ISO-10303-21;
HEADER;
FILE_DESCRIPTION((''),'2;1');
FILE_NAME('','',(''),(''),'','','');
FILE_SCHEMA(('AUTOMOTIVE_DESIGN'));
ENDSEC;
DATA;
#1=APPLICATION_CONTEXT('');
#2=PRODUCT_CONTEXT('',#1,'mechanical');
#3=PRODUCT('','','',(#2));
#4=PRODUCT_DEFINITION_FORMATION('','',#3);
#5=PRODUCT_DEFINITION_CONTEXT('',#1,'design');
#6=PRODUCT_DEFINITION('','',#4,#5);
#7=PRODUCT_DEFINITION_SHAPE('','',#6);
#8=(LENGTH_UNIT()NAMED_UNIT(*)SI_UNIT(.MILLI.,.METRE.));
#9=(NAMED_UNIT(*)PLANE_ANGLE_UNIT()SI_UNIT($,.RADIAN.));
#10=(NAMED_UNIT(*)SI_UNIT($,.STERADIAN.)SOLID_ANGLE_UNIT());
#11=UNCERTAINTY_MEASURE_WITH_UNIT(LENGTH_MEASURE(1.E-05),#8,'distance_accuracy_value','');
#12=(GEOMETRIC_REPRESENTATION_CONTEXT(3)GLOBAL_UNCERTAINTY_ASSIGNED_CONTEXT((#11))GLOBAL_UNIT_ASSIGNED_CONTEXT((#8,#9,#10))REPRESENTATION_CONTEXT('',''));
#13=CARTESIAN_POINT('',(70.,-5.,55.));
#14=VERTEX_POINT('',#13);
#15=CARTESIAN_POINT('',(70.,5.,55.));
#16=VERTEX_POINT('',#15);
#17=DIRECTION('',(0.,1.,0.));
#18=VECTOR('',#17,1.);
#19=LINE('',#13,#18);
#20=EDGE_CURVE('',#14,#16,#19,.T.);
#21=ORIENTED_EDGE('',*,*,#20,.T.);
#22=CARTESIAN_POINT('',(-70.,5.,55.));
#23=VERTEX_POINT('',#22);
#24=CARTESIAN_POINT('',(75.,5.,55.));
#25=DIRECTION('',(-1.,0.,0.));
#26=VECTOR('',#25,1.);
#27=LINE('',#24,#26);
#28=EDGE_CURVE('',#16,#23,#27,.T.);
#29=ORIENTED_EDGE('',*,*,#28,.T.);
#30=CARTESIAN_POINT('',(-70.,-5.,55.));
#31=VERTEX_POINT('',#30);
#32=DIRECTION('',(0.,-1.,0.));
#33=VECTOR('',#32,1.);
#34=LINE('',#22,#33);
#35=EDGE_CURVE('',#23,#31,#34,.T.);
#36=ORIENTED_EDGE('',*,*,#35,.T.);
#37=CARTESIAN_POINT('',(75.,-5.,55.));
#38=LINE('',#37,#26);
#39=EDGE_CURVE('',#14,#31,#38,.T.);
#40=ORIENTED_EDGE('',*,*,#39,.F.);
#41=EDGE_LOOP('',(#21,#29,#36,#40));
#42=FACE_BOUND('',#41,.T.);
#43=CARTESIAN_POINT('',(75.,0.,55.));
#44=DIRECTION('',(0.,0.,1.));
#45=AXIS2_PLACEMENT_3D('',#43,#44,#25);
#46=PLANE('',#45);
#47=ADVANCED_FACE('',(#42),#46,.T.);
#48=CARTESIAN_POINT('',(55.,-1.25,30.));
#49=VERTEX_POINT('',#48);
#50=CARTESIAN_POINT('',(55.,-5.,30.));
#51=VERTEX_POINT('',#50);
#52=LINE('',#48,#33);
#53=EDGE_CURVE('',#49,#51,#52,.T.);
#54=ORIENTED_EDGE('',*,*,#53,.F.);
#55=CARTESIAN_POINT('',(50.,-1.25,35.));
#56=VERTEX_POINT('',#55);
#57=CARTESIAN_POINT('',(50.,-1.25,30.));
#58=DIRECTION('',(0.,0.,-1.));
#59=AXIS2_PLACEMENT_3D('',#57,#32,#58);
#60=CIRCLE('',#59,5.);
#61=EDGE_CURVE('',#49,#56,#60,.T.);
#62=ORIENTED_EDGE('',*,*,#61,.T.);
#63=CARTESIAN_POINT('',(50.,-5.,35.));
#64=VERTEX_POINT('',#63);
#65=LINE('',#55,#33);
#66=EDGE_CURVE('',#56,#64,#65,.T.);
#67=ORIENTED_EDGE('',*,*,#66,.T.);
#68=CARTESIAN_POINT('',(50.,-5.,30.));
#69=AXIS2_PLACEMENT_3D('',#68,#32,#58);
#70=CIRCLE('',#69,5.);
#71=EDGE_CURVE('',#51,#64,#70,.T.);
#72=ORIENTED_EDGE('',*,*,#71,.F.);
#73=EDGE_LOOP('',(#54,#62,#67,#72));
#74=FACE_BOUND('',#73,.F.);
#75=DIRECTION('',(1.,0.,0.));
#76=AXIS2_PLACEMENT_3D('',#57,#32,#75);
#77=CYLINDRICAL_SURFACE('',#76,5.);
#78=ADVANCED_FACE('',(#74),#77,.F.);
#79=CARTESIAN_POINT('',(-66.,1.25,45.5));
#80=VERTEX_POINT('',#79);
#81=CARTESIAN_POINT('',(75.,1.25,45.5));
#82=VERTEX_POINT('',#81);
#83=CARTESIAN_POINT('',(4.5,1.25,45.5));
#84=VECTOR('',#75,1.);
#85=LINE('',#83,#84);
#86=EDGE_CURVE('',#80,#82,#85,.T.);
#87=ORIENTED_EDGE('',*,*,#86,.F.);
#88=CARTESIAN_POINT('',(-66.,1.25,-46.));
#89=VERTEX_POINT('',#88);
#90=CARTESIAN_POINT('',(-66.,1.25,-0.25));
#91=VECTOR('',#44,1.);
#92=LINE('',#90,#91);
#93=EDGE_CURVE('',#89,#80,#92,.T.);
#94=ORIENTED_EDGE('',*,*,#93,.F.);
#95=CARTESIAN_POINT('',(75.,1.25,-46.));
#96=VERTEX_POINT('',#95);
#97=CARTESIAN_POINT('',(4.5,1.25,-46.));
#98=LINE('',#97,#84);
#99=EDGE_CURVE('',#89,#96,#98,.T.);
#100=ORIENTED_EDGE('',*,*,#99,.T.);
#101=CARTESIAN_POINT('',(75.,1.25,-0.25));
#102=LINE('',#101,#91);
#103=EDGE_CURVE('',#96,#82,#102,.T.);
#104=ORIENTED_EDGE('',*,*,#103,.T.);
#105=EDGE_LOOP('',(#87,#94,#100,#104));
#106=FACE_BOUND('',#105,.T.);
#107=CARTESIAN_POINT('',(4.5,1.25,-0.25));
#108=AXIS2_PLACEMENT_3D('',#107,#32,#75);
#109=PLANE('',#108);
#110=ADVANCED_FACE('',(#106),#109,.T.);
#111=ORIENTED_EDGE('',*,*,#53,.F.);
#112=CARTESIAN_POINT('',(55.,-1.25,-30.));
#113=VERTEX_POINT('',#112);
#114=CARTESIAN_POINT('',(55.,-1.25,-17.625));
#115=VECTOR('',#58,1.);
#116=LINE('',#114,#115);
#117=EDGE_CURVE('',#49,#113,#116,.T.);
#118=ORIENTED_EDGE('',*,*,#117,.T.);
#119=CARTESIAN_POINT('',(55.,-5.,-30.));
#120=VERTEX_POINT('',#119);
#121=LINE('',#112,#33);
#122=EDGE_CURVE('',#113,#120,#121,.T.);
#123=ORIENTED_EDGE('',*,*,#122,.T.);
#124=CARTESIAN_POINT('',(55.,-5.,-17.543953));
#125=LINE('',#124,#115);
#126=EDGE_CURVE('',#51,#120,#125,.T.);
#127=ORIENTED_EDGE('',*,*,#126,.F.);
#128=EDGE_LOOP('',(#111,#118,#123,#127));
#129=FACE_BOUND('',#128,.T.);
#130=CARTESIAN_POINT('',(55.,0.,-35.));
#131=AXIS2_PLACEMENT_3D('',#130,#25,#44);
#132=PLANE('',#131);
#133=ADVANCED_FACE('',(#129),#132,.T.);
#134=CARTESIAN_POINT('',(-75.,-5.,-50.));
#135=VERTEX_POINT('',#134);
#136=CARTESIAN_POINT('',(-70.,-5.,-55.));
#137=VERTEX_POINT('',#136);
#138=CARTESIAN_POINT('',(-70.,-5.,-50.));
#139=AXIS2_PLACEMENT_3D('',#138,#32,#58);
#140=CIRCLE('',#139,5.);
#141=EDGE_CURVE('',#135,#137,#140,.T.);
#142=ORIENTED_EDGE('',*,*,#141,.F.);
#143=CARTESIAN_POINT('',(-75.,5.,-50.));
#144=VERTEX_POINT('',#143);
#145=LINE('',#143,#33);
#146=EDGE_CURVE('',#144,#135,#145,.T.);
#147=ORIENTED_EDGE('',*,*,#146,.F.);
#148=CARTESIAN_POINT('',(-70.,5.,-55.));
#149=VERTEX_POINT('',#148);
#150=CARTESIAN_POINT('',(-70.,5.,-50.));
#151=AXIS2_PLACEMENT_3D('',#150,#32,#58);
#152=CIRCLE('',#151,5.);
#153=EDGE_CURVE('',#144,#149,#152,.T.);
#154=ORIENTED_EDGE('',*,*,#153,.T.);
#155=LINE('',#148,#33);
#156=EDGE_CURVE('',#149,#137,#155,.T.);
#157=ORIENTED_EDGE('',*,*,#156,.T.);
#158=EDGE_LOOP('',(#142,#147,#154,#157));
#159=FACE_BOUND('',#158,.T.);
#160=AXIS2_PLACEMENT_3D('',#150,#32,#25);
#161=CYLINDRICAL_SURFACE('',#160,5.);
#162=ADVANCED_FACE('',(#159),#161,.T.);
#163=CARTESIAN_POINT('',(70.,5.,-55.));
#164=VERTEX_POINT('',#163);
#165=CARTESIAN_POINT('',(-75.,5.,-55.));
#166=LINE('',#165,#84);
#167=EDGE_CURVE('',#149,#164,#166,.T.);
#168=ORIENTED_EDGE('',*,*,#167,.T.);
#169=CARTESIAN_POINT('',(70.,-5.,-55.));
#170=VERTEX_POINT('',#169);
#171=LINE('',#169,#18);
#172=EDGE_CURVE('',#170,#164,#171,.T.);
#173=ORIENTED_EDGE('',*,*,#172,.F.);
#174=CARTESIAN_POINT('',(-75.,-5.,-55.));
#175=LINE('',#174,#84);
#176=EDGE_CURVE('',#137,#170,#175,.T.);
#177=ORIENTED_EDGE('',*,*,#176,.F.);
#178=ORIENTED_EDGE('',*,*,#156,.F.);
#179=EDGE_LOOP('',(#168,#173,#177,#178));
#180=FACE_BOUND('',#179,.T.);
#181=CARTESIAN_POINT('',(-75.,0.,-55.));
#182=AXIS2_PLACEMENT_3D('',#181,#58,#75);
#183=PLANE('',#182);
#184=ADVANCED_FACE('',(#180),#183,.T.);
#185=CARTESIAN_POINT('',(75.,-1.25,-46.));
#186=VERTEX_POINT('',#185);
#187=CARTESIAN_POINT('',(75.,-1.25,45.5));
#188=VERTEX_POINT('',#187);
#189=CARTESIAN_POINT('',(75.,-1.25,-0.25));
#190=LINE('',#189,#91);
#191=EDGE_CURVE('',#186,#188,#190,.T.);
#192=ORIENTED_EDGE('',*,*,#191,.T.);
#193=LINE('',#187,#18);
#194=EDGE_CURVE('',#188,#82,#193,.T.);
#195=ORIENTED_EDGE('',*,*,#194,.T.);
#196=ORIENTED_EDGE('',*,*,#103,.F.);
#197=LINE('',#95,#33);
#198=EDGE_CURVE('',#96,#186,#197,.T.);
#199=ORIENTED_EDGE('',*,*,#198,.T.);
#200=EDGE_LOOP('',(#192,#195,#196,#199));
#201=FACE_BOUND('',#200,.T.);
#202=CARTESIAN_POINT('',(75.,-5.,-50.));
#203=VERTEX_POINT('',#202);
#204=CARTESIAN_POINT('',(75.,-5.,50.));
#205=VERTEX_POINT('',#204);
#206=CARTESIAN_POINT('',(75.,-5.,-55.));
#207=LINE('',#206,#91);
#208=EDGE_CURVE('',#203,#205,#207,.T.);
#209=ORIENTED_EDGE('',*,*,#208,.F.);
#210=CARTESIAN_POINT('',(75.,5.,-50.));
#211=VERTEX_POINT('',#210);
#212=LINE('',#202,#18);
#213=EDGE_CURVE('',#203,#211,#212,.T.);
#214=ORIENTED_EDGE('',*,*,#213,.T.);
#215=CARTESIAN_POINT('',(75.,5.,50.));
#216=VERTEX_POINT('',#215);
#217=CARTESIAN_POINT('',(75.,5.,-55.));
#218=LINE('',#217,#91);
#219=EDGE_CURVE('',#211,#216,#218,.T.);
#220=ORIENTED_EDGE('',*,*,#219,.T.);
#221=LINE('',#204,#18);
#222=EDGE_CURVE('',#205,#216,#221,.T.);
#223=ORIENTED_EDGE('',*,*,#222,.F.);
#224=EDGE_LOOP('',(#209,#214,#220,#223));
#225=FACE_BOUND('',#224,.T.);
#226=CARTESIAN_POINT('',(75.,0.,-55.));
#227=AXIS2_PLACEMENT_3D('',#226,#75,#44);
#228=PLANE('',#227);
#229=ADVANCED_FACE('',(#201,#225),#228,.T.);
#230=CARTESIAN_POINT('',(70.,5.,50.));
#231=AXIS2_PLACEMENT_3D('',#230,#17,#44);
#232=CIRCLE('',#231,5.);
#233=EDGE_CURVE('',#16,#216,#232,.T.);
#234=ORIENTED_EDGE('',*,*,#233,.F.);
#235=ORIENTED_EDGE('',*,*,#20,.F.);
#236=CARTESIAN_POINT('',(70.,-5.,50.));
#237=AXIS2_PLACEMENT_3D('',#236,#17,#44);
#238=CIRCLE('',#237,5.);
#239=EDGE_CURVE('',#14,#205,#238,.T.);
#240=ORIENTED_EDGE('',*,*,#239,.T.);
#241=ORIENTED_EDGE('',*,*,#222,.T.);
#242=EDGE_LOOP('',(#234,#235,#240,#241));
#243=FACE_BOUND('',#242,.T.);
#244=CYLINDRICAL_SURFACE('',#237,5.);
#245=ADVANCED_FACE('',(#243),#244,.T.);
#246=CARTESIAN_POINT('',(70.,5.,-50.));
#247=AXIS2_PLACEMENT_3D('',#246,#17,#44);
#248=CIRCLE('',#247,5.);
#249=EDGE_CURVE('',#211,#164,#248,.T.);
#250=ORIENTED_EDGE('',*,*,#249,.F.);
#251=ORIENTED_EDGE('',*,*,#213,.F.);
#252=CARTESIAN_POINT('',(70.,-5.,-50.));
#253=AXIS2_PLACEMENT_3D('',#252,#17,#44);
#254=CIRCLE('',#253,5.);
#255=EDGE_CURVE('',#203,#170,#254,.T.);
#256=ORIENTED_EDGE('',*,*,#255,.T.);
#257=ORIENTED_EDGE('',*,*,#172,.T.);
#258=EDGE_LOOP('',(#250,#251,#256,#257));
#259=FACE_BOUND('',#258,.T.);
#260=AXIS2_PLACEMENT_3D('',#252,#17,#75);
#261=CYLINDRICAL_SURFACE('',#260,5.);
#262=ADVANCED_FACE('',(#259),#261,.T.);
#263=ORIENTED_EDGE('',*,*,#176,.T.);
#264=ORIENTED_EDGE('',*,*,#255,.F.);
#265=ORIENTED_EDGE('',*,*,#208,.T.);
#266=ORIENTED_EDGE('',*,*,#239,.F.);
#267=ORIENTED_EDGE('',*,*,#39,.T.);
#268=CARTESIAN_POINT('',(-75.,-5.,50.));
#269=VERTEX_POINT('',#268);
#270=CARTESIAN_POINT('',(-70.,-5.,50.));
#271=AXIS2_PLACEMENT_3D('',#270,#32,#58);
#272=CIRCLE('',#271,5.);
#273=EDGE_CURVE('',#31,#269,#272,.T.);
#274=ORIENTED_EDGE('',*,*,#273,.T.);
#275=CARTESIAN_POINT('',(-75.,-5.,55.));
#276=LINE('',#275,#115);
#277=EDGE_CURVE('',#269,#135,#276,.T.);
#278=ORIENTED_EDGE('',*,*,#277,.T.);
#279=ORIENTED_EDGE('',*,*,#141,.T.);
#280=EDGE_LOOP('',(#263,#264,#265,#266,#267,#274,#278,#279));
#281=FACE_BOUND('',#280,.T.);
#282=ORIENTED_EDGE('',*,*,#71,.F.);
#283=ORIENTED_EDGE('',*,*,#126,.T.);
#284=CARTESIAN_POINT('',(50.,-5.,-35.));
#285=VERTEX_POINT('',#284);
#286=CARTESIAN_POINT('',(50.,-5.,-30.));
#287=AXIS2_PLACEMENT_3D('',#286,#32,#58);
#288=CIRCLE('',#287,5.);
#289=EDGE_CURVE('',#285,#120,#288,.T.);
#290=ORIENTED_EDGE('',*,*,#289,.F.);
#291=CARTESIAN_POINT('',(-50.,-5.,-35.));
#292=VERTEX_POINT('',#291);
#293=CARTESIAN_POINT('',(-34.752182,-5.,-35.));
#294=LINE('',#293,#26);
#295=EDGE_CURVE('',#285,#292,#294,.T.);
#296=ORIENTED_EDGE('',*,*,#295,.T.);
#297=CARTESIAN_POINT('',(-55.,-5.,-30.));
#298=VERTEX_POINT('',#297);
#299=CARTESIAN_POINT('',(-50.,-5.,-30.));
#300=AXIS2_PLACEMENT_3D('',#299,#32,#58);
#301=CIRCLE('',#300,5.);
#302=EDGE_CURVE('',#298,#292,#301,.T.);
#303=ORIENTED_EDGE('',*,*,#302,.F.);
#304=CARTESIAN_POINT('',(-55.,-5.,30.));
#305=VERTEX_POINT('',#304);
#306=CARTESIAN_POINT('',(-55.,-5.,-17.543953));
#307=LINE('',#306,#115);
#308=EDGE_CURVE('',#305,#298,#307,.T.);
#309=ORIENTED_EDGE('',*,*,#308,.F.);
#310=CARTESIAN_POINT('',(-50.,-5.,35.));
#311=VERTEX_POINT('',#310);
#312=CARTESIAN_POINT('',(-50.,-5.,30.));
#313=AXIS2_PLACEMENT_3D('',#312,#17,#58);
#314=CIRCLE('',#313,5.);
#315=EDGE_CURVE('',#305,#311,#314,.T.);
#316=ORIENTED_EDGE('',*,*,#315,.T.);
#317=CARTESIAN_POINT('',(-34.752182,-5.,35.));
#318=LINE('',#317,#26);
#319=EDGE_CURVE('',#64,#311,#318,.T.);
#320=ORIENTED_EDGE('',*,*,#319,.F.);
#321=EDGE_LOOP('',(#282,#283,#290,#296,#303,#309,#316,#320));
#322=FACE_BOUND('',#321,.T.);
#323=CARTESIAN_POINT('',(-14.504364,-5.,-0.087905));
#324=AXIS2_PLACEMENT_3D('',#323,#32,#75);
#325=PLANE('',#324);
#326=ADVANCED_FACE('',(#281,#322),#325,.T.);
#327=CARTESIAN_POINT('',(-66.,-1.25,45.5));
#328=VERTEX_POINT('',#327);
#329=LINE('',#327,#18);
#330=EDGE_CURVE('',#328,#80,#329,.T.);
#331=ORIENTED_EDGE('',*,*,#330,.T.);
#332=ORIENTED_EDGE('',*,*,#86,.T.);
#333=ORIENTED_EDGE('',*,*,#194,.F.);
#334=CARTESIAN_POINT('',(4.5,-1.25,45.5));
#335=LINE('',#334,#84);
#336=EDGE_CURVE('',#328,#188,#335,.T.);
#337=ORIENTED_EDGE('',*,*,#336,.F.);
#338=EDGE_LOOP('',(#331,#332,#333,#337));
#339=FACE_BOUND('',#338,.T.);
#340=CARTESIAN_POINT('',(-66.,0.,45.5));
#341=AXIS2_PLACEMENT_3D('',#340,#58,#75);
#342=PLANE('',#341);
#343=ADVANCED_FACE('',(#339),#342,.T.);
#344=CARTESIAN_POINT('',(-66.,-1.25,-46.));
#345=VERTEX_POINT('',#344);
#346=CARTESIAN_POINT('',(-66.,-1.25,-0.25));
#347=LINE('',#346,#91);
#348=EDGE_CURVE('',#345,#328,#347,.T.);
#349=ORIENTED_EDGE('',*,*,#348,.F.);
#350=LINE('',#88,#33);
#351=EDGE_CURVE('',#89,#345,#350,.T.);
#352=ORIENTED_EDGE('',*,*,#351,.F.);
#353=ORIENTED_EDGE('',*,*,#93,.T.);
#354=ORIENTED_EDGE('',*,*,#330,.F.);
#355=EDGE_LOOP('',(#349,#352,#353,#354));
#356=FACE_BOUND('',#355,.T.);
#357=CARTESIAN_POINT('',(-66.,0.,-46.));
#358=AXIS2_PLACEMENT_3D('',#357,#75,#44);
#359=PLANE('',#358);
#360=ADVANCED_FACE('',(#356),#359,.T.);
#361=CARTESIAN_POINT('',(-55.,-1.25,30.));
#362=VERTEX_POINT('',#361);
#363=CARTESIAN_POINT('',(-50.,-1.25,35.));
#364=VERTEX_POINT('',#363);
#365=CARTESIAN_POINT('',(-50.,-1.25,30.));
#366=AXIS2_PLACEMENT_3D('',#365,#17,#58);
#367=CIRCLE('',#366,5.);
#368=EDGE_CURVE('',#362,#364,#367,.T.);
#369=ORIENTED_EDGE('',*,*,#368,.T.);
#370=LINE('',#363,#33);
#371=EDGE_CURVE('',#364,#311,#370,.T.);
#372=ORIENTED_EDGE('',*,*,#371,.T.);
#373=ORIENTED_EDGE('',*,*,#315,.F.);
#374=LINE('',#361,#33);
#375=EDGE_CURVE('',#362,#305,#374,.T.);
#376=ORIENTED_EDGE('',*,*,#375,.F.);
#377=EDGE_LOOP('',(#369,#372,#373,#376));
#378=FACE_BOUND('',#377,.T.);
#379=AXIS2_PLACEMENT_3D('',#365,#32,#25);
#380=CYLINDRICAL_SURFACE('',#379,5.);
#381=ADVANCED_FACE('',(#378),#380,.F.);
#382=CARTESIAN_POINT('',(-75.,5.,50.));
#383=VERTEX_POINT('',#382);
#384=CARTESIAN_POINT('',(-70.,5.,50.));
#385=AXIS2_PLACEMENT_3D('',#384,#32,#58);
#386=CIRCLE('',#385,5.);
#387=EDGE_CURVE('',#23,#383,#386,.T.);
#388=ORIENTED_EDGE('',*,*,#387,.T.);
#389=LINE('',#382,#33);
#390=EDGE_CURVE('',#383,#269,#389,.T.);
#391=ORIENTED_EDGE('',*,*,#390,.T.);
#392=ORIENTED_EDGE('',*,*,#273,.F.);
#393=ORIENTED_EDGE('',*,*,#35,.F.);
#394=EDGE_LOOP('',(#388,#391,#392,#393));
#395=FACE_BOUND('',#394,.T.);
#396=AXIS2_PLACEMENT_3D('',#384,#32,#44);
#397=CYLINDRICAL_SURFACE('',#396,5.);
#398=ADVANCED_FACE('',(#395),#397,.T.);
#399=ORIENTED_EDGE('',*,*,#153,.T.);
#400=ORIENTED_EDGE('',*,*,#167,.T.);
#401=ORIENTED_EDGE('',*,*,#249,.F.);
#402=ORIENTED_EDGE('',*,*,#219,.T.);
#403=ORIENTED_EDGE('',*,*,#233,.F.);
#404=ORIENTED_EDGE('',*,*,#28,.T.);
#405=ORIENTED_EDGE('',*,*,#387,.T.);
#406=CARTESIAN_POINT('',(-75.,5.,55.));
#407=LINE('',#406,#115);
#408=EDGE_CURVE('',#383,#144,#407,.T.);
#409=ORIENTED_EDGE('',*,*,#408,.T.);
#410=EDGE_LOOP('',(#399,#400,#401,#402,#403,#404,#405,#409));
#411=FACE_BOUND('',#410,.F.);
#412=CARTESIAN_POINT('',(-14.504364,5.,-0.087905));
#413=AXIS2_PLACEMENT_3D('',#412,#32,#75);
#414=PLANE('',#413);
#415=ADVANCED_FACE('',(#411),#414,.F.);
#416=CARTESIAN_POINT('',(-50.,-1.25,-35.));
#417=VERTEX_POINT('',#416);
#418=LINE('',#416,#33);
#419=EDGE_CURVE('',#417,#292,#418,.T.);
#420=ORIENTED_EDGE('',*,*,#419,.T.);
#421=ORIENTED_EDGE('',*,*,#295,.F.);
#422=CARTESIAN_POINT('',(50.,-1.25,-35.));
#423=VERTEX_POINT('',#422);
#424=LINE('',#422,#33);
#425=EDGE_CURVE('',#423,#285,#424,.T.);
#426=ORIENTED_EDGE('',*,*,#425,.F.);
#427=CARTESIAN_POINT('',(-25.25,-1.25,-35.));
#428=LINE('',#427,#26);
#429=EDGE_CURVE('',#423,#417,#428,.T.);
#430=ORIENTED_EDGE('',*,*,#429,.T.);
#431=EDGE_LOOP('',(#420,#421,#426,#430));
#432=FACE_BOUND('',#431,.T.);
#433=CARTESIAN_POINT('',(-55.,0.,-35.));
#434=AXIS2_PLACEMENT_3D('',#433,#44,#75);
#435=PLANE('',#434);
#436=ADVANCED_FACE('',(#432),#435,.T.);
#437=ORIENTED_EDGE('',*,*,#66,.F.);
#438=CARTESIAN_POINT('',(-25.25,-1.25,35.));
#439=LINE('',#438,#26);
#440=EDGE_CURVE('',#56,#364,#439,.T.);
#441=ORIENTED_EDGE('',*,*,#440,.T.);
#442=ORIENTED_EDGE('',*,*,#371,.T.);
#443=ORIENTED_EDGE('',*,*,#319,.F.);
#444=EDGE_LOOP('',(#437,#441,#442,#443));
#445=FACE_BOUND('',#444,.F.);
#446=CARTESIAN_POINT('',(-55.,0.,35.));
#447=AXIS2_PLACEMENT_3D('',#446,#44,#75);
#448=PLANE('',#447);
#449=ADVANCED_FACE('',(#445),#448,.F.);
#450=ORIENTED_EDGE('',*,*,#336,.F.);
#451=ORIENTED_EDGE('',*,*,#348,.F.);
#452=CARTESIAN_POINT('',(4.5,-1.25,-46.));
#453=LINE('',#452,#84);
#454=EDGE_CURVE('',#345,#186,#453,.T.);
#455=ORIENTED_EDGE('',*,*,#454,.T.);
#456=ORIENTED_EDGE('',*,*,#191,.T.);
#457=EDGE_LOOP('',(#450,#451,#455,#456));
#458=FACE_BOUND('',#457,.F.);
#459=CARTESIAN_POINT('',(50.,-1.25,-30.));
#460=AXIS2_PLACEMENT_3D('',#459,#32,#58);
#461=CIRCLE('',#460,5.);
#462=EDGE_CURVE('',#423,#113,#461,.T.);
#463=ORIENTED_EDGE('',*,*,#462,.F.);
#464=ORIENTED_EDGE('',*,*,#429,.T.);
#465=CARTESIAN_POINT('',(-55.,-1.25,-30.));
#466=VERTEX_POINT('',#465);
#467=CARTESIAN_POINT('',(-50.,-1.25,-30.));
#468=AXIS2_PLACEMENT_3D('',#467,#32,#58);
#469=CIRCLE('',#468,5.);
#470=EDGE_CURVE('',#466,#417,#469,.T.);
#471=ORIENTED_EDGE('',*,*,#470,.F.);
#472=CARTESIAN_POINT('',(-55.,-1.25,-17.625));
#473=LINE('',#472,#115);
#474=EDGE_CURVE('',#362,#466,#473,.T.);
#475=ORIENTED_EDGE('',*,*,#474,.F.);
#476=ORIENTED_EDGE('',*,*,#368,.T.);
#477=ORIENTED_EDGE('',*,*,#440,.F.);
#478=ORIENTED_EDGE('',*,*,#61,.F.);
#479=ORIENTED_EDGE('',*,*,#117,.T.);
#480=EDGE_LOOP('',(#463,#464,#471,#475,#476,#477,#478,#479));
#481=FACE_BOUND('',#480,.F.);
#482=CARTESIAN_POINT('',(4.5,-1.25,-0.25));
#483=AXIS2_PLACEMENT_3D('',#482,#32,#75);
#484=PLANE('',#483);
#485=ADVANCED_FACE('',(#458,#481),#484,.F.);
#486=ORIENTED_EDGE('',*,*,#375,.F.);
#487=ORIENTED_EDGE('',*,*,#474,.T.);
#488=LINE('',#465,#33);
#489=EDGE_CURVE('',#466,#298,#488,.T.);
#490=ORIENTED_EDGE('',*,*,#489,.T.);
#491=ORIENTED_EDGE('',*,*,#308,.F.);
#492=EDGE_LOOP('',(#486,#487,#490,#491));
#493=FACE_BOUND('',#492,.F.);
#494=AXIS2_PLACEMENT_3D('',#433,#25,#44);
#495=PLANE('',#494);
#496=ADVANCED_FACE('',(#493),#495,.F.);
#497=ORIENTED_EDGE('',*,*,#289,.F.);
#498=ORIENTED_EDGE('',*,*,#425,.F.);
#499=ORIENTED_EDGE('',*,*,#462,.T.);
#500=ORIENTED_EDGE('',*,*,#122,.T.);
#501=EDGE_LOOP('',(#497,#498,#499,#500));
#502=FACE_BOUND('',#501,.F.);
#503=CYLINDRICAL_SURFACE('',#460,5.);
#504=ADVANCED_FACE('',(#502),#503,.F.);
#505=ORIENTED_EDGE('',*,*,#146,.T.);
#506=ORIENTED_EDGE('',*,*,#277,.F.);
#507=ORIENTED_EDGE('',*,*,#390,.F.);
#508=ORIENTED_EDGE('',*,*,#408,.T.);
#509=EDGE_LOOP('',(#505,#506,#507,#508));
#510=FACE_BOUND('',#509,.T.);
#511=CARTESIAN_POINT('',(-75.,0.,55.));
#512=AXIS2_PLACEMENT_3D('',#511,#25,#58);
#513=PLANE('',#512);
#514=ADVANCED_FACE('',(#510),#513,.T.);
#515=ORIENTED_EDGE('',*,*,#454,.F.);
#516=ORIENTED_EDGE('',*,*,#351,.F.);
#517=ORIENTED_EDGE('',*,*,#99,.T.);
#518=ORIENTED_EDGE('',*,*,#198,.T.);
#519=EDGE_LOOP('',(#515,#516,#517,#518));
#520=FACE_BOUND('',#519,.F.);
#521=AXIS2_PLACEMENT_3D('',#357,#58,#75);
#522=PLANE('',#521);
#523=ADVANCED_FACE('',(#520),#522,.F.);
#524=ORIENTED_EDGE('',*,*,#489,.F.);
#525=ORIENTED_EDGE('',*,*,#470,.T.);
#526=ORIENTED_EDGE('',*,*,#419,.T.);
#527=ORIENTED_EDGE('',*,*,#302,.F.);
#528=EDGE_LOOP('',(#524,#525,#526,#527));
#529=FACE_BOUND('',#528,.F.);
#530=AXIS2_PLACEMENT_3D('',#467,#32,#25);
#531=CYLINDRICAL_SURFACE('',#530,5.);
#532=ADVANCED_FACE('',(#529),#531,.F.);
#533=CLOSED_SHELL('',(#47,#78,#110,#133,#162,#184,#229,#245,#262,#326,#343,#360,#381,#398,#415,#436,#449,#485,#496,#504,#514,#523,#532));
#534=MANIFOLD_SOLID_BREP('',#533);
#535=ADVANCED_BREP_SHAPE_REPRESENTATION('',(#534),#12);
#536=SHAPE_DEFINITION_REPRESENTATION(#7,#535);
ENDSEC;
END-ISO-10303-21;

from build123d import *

# Parameters (mm, degrees)
F0_W     = 141
F0_H     = 91.5
F0_W_2   = 110
F0_H_2   = 70
F1_DEPTH = 5
F2_DEPTH = 1.25
F3_DEPTH = 5.001
F4_R     = 5
F5_R     = 5


with BuildPart() as f1:
    # F0 (on Front) → F1 (new body, symmetric)
    with BuildSketch(Plane.XZ):
        Polygon((75, 45.5), (75, 55), (-75, 55), (-75, -55), (75, -55), (75, -46), (-66, -46), (-66, 45.5), align=None)
        with Locations((4.5, -0.25)):
            Rectangle(F0_W, F0_H)
        Rectangle(F0_W_2, F0_H_2, mode=Mode.SUBTRACT)
        Rectangle(F0_W_2, F0_H_2)
    extrude(amount=F1_DEPTH, both=True)

    # F0 (on Front) → F2 (cut, symmetric)
    with BuildSketch(Plane.XZ):
        with Locations((4.5, -0.25)):
            Rectangle(F0_W, F0_H)
        Rectangle(F0_W_2, F0_H_2, mode=Mode.SUBTRACT)
        Rectangle(F0_W_2, F0_H_2)
    extrude(amount=F2_DEPTH, both=True, mode=Mode.SUBTRACT)

    # F0 (on Front) → F3 (cut, through all)
    with BuildSketch(Plane.XZ):
        Rectangle(F0_W_2, F0_H_2)
    extrude(amount=F3_DEPTH, mode=Mode.SUBTRACT)

    # F4
    f4_edges = [f1.edges().sort_by_distance(p)[0] for p in [
        (-75, 0, 55),
        (75, 0, 55),
        (75, 0, -55),
        (-75, 0, -55),
    ]]
    fillet(f4_edges, radius=F4_R)

    # F5
    f5_edges = [f1.edges().sort_by_distance(p)[0] for p in [
        (-55, -3.125, 35),
        (55, -3.125, 35),
        (55, -3.125, -35),
        (-55, -3.125, -35),
    ]]
    fillet(f5_edges, radius=F5_R)


solid = f1.part
